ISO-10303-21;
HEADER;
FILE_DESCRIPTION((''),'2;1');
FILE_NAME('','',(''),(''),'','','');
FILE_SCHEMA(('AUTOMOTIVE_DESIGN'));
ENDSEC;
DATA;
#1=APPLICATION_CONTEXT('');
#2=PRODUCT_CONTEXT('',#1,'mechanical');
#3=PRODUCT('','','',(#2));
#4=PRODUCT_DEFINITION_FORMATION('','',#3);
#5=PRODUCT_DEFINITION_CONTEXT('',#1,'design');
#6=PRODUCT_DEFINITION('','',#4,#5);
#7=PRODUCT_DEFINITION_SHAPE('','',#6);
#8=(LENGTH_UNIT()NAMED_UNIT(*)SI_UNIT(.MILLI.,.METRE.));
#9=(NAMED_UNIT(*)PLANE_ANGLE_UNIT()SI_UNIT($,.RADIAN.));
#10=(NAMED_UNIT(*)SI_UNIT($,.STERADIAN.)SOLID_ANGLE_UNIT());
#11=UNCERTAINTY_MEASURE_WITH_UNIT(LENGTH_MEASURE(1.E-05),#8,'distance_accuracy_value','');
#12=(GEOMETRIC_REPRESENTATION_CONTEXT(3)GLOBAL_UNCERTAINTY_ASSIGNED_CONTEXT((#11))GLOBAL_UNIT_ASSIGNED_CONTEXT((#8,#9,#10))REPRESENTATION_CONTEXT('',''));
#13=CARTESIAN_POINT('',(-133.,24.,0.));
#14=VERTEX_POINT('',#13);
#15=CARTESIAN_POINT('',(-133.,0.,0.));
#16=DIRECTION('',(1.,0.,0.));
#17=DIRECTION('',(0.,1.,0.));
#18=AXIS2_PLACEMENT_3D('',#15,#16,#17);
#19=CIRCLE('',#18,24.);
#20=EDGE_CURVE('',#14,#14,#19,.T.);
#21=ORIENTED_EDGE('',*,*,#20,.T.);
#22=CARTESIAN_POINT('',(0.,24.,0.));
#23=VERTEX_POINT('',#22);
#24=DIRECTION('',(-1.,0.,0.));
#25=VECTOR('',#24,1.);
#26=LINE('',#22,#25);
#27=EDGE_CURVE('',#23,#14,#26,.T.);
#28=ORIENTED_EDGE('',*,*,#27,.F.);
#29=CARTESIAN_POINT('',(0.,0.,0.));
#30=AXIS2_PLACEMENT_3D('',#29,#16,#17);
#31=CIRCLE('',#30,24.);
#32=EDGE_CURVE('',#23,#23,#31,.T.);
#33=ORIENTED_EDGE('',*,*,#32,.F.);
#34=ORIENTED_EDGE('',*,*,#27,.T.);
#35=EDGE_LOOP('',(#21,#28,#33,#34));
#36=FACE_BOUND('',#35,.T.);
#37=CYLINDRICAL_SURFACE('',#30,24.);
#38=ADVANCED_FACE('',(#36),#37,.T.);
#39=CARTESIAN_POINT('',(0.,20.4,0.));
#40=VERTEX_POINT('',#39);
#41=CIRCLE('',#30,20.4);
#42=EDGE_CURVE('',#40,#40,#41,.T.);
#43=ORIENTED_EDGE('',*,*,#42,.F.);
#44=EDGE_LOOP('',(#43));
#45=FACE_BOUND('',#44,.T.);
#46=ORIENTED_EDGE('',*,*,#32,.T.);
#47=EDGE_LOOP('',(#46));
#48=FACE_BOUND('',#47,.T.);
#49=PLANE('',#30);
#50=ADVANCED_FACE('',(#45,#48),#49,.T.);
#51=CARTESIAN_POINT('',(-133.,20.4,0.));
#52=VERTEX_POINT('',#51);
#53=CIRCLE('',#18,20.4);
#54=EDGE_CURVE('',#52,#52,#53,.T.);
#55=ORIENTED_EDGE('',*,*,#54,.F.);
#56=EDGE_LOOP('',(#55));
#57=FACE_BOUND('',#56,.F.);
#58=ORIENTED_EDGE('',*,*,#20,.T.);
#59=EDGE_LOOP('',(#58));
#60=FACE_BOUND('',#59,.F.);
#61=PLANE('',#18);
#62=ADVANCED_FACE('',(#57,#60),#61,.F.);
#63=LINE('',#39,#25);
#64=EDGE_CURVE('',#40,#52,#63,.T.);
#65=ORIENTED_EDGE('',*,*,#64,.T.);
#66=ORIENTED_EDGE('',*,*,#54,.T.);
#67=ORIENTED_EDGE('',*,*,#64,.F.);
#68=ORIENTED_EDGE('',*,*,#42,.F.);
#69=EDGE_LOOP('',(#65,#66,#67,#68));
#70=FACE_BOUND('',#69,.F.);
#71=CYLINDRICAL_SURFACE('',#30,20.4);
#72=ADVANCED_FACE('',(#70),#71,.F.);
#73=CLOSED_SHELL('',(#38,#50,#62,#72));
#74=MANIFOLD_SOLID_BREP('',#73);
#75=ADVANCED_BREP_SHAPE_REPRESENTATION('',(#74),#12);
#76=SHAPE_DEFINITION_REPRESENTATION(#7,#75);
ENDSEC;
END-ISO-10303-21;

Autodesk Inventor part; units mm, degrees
ref_plane "YZ Plane" through (0, 0, 0) normal (1, 0, 0) x (0, 1, 0)
ref_plane "XZ Plane" through (0, 0, 0) normal (0, 1, 0) x (-1, 0, 0)
ref_plane "XY Plane" through (0, 0, 0) normal (0, 0, 1) x (1, 0, 0)
sketch "Sketch1" plane through (0, 0, 0) normal (1, 0, 0) x (0, 1, 0)
  circle A0 centre (0, 0) radius 24
  circle A1 centre (0, 0) radius 20.4
  dimension "d0" = 48
  dimension "d1" = 40.8
extrude "Extrusion1" add sketch "Sketch1" against normal blind 133
equation "\"d0\" = OD"
equation "\"d1\" = OD - 2 * t"
equation "\"d2\" = L"
equation "\"OD\" = 48"
equation "\"t\" = 3.6"
equation "\"L\" = PL"
equation "\"ID\" = 40.8"
equation "\"PL\" = 133"
equation "\"Size_Designation\" = 1.2345"
properties material "PVC, Unplasticized"
